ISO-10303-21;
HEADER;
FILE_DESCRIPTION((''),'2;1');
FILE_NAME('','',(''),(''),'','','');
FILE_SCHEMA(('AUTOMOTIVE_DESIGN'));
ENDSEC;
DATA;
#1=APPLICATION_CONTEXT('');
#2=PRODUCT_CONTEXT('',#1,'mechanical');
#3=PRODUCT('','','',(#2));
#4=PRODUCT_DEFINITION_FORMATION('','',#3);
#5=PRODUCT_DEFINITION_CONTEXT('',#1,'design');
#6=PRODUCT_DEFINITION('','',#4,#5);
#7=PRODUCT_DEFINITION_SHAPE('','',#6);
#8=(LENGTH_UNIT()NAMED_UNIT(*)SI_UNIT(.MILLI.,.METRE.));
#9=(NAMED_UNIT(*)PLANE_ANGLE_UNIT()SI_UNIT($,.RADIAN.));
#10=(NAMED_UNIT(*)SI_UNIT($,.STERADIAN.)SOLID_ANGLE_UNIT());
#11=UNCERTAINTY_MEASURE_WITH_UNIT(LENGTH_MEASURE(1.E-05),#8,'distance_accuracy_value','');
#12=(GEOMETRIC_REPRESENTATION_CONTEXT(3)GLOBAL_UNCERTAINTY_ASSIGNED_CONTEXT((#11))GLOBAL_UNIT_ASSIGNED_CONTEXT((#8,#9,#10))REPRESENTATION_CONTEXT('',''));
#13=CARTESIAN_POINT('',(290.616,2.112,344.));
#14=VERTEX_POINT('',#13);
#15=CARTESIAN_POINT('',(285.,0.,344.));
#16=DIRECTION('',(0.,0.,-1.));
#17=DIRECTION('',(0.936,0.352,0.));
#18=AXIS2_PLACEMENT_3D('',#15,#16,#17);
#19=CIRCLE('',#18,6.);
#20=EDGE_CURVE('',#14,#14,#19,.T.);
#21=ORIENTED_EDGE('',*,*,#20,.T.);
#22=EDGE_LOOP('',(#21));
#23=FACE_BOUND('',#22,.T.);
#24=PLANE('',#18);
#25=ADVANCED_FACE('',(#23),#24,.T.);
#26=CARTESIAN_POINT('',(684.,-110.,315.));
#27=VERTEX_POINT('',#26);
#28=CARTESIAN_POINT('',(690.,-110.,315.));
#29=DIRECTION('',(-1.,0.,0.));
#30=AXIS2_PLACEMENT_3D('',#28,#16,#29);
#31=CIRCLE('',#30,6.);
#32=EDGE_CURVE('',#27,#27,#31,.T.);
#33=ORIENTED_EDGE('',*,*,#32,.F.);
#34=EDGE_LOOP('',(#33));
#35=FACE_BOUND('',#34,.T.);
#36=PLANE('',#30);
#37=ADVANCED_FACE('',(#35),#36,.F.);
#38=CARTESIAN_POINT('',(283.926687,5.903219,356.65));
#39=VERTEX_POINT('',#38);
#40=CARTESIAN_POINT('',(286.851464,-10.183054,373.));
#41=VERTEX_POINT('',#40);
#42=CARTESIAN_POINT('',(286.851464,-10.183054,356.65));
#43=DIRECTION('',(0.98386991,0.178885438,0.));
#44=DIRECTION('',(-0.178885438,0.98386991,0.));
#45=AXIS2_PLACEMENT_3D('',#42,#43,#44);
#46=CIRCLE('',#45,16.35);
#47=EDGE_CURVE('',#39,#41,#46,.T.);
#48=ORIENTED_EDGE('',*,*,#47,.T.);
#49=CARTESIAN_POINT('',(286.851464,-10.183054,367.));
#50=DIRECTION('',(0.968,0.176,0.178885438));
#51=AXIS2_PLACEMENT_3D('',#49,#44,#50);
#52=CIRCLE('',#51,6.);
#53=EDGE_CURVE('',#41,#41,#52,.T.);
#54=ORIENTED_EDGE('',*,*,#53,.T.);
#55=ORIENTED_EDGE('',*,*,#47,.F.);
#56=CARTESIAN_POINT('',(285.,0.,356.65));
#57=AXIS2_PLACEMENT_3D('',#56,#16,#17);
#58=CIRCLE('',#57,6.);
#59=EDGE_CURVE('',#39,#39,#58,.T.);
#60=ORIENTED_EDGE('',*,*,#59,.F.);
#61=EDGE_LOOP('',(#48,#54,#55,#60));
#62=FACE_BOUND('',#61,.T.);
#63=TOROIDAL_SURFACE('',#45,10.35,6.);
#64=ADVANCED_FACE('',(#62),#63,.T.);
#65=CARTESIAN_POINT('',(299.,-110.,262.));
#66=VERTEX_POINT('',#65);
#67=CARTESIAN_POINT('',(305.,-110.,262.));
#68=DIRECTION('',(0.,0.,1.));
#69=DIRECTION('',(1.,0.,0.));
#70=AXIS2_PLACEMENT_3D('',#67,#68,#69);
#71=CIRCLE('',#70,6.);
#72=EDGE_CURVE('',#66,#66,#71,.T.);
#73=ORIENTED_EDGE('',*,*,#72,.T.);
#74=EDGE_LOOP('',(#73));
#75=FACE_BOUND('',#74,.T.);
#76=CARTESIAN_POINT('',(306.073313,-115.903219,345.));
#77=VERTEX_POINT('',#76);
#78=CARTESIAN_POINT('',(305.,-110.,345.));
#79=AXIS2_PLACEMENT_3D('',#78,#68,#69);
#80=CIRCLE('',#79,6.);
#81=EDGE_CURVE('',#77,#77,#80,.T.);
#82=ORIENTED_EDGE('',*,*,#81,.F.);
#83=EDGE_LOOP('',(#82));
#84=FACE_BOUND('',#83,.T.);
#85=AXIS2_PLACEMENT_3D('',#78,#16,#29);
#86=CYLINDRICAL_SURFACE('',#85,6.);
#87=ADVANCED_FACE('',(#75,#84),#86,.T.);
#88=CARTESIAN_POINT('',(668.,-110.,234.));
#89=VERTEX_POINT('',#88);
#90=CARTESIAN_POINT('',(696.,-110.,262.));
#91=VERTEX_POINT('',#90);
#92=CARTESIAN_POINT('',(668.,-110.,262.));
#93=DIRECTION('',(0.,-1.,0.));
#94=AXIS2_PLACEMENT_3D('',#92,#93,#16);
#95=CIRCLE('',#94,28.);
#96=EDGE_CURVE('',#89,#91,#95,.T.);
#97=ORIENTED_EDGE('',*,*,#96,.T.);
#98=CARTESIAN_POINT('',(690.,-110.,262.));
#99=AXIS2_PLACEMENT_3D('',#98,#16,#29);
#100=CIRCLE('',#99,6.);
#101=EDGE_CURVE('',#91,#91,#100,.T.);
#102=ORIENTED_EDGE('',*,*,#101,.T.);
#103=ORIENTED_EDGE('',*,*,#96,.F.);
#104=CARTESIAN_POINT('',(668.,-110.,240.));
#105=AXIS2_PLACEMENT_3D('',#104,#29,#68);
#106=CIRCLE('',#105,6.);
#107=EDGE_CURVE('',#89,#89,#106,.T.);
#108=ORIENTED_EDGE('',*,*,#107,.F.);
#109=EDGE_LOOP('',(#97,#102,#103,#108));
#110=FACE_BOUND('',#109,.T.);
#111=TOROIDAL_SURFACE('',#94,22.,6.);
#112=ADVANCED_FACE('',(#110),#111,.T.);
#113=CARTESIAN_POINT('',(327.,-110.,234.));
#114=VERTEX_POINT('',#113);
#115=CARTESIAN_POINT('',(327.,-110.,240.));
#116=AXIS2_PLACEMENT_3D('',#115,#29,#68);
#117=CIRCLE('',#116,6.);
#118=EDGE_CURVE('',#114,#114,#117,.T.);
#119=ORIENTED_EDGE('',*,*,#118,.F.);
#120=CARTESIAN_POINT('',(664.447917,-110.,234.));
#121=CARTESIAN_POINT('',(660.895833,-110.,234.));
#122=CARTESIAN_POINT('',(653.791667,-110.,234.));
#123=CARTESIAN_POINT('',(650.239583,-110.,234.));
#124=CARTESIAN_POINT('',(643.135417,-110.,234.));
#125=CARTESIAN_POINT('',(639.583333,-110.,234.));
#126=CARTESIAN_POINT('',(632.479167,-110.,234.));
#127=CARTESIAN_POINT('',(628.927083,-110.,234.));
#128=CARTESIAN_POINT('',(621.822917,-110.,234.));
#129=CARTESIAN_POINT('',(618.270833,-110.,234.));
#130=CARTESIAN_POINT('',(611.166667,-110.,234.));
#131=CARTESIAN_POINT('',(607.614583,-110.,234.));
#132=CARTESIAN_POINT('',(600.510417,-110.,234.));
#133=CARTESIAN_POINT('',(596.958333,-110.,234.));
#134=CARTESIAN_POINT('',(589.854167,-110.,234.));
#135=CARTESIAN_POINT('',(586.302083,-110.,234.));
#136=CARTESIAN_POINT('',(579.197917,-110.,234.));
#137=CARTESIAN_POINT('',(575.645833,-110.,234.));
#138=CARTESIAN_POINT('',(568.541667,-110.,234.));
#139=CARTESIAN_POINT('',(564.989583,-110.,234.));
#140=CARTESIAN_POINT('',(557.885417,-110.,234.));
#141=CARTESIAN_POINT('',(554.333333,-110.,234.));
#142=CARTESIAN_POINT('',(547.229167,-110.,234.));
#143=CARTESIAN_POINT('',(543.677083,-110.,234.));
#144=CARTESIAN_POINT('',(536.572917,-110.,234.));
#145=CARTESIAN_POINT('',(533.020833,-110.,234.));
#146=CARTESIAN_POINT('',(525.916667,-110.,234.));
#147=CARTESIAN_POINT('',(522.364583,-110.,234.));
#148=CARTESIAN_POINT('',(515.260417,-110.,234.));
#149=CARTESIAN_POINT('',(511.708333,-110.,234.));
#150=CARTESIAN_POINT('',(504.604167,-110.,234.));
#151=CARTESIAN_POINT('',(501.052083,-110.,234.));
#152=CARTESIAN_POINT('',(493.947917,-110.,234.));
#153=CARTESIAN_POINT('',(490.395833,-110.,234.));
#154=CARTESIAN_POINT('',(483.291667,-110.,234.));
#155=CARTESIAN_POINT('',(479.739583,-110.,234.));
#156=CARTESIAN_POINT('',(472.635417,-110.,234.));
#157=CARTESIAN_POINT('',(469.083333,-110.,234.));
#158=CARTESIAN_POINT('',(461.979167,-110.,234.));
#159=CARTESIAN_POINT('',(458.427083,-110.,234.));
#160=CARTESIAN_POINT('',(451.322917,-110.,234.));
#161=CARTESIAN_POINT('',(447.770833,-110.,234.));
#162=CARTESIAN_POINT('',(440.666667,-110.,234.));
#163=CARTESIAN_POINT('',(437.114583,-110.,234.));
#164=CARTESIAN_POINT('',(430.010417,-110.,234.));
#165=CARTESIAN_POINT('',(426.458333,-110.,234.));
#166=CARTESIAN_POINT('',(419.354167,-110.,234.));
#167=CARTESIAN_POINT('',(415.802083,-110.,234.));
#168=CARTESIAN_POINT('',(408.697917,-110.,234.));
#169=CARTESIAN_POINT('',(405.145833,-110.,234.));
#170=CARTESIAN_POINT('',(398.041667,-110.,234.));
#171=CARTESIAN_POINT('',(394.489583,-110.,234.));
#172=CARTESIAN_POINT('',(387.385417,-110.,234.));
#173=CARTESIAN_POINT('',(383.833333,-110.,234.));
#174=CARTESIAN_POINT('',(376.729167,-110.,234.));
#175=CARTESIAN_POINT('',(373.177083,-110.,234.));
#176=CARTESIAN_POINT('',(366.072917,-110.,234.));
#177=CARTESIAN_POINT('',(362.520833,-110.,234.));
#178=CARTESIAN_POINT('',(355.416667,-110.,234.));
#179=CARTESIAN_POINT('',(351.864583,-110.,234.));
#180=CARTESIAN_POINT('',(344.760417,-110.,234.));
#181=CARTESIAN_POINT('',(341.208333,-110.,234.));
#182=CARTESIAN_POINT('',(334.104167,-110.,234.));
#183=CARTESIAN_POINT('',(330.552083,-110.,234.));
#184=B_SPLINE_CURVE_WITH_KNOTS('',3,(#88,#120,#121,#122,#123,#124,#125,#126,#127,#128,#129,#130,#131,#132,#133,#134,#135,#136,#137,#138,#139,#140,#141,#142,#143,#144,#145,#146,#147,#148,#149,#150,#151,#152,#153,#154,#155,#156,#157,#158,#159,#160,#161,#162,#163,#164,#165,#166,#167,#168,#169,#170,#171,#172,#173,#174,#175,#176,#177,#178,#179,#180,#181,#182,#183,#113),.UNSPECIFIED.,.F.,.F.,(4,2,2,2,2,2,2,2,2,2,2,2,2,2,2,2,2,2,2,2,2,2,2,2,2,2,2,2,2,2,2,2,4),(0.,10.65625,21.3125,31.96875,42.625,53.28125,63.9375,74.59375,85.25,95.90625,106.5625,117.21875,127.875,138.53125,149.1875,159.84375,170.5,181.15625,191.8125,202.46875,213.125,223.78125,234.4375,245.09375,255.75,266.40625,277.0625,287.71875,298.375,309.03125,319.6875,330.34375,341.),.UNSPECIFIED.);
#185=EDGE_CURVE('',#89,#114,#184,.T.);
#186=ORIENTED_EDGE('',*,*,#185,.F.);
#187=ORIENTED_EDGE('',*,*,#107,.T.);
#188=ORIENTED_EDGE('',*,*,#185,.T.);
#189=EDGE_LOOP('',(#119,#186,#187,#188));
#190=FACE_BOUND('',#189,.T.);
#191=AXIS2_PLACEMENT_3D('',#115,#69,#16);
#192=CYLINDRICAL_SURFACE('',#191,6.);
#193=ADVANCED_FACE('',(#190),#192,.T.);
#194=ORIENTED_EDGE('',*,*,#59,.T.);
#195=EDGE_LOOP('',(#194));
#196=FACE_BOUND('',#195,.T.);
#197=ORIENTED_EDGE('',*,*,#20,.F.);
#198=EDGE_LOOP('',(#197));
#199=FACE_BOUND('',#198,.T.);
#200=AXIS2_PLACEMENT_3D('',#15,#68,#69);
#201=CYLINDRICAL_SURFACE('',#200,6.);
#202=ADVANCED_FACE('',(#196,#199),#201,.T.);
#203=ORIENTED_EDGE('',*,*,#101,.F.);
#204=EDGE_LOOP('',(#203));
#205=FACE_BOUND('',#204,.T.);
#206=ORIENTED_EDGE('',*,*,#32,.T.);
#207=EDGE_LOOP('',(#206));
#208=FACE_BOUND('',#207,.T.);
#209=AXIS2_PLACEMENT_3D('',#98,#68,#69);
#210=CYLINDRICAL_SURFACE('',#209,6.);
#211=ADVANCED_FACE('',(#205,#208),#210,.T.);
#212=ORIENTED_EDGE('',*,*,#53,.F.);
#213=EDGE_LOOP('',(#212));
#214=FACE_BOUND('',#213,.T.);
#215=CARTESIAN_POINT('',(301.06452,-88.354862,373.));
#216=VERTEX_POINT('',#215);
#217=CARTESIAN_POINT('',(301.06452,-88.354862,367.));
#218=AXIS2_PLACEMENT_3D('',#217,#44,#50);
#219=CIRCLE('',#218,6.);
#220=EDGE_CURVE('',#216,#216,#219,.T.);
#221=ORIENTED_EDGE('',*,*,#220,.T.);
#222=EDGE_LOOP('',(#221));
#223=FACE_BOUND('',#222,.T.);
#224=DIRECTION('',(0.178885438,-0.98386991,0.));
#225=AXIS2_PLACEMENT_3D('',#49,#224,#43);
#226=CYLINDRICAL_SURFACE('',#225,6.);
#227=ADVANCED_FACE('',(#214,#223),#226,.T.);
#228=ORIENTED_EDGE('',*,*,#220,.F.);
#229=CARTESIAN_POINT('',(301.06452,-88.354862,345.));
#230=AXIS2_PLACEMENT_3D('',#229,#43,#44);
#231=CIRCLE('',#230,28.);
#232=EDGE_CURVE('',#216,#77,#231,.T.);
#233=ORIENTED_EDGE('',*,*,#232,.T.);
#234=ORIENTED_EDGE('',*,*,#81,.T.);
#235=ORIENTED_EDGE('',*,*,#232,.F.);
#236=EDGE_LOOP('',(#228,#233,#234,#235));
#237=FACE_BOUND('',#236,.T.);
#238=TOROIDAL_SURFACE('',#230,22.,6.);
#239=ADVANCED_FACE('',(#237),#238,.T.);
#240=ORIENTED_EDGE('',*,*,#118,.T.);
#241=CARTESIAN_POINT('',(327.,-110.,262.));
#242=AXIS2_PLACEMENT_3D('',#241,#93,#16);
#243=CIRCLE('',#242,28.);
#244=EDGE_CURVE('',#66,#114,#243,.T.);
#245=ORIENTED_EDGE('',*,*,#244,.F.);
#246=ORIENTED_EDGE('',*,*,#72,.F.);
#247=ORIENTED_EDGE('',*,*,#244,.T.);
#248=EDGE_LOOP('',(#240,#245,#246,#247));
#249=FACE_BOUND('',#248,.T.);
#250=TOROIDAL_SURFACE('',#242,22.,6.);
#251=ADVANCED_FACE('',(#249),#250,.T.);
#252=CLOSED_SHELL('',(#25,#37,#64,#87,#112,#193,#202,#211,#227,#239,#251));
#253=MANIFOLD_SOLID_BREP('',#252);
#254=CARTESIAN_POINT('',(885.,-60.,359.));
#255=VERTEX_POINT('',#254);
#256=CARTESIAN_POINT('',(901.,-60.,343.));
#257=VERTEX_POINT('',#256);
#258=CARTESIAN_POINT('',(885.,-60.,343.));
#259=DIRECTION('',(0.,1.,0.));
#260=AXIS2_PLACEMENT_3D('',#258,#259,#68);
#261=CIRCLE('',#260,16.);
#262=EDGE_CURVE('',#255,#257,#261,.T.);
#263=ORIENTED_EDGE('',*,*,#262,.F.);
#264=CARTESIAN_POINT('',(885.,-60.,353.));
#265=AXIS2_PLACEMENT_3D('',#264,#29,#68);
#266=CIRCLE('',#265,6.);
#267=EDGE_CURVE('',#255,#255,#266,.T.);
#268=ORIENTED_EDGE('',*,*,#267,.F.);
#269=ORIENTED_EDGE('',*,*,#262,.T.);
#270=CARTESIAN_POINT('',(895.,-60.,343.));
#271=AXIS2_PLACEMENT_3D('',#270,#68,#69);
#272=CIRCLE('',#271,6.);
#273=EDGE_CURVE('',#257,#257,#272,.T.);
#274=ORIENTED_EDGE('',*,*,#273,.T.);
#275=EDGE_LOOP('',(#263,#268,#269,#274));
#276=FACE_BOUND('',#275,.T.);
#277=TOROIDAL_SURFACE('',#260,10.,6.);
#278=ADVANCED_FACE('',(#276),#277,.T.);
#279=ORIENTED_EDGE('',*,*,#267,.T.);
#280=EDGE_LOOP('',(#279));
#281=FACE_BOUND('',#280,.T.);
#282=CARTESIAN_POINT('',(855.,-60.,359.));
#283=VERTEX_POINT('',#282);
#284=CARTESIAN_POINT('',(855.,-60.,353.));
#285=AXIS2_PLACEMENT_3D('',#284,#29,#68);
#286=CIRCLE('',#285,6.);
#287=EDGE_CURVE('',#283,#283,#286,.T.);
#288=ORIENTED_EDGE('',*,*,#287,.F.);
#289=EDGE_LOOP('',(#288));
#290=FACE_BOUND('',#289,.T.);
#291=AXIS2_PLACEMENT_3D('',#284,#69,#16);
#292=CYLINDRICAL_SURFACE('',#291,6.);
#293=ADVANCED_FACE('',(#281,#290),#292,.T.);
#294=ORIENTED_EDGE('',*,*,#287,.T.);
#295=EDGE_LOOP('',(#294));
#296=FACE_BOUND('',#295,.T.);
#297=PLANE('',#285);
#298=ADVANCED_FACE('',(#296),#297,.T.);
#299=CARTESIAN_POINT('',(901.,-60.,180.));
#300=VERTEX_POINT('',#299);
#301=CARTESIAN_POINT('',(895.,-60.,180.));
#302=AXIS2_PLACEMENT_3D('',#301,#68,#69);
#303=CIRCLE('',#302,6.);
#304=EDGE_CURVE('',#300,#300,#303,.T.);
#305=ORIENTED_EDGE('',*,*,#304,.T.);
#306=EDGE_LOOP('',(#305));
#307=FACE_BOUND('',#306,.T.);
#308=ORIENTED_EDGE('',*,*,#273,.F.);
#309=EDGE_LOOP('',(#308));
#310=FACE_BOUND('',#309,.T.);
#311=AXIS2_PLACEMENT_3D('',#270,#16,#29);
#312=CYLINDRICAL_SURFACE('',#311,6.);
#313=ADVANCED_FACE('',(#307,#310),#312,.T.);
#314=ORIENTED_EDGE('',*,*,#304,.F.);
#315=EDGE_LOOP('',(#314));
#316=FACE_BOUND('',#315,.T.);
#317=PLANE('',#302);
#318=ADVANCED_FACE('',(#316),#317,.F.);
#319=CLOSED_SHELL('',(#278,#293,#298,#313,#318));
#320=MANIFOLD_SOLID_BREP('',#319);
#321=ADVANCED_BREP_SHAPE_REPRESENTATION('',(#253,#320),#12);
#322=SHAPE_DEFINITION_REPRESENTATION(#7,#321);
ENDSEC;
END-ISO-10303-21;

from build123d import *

# Parameters (mm, degrees)
PIPE_1_PROFILE_R = 6
PIPE_2_PROFILE_R = 6


with BuildPart() as part:
    # Pipe 1: sweep along a curve in space
    with BuildLine() as pipe_1_path:
        Line((285, 0, 344), (285, 0, 356.65))
        ThreePointArc((285, 0, 356.65), (285.542281334, -2.982547337, 363.968555185), (286.851464285, -10.18305357, 367))
        Line((286.851464285, -10.18305357, 367), (301.06452036, -88.354861978, 367))
        ThreePointArc((301.06452036, -88.354861978, 367), (303.847324701, -103.660285853, 360.556349186), (305, -110, 345))
        Line((305, -110, 345), (305, -110, 262))
        ThreePointArc((305, -110, 262), (311.443650814, -110, 246.443650814), (327, -110, 240))
        Line((327, -110, 240), (668, -110, 240))
        ThreePointArc((668, -110, 240), (683.556349186, -110, 246.443650814), (690, -110, 262))
        Line((690, -110, 262), (690, -110, 315))
    # Pipe 1 profile (on start of the path) → Pipe 1 (sweep)
    with BuildSketch(Plane(origin=(285, 0, 344), x_dir=(1, 0, 0), z_dir=(0, 0, 1))):
        Circle(PIPE_1_PROFILE_R)
    sweep(path=pipe_1_path.line)


with BuildPart() as body_2:
    # Pipe 2: sweep along a curve in space
    with BuildLine() as pipe_2_path:
        Line((855, -60, 353), (885, -60, 353))
        ThreePointArc((885, -60, 353), (892.071067812, -60, 350.071067812), (895, -60, 343))
        Line((895, -60, 343), (895, -60, 180))
    # Pipe 2 profile (on start of the path) → Pipe 2 (sweep)
    with BuildSketch(Plane(origin=(855, -60, 353), x_dir=(0, 0, 1), z_dir=(1, 0, 0))):
        Circle(PIPE_2_PROFILE_R)
    sweep(path=pipe_2_path.line)


solid = Compound([part.part, body_2.part])
